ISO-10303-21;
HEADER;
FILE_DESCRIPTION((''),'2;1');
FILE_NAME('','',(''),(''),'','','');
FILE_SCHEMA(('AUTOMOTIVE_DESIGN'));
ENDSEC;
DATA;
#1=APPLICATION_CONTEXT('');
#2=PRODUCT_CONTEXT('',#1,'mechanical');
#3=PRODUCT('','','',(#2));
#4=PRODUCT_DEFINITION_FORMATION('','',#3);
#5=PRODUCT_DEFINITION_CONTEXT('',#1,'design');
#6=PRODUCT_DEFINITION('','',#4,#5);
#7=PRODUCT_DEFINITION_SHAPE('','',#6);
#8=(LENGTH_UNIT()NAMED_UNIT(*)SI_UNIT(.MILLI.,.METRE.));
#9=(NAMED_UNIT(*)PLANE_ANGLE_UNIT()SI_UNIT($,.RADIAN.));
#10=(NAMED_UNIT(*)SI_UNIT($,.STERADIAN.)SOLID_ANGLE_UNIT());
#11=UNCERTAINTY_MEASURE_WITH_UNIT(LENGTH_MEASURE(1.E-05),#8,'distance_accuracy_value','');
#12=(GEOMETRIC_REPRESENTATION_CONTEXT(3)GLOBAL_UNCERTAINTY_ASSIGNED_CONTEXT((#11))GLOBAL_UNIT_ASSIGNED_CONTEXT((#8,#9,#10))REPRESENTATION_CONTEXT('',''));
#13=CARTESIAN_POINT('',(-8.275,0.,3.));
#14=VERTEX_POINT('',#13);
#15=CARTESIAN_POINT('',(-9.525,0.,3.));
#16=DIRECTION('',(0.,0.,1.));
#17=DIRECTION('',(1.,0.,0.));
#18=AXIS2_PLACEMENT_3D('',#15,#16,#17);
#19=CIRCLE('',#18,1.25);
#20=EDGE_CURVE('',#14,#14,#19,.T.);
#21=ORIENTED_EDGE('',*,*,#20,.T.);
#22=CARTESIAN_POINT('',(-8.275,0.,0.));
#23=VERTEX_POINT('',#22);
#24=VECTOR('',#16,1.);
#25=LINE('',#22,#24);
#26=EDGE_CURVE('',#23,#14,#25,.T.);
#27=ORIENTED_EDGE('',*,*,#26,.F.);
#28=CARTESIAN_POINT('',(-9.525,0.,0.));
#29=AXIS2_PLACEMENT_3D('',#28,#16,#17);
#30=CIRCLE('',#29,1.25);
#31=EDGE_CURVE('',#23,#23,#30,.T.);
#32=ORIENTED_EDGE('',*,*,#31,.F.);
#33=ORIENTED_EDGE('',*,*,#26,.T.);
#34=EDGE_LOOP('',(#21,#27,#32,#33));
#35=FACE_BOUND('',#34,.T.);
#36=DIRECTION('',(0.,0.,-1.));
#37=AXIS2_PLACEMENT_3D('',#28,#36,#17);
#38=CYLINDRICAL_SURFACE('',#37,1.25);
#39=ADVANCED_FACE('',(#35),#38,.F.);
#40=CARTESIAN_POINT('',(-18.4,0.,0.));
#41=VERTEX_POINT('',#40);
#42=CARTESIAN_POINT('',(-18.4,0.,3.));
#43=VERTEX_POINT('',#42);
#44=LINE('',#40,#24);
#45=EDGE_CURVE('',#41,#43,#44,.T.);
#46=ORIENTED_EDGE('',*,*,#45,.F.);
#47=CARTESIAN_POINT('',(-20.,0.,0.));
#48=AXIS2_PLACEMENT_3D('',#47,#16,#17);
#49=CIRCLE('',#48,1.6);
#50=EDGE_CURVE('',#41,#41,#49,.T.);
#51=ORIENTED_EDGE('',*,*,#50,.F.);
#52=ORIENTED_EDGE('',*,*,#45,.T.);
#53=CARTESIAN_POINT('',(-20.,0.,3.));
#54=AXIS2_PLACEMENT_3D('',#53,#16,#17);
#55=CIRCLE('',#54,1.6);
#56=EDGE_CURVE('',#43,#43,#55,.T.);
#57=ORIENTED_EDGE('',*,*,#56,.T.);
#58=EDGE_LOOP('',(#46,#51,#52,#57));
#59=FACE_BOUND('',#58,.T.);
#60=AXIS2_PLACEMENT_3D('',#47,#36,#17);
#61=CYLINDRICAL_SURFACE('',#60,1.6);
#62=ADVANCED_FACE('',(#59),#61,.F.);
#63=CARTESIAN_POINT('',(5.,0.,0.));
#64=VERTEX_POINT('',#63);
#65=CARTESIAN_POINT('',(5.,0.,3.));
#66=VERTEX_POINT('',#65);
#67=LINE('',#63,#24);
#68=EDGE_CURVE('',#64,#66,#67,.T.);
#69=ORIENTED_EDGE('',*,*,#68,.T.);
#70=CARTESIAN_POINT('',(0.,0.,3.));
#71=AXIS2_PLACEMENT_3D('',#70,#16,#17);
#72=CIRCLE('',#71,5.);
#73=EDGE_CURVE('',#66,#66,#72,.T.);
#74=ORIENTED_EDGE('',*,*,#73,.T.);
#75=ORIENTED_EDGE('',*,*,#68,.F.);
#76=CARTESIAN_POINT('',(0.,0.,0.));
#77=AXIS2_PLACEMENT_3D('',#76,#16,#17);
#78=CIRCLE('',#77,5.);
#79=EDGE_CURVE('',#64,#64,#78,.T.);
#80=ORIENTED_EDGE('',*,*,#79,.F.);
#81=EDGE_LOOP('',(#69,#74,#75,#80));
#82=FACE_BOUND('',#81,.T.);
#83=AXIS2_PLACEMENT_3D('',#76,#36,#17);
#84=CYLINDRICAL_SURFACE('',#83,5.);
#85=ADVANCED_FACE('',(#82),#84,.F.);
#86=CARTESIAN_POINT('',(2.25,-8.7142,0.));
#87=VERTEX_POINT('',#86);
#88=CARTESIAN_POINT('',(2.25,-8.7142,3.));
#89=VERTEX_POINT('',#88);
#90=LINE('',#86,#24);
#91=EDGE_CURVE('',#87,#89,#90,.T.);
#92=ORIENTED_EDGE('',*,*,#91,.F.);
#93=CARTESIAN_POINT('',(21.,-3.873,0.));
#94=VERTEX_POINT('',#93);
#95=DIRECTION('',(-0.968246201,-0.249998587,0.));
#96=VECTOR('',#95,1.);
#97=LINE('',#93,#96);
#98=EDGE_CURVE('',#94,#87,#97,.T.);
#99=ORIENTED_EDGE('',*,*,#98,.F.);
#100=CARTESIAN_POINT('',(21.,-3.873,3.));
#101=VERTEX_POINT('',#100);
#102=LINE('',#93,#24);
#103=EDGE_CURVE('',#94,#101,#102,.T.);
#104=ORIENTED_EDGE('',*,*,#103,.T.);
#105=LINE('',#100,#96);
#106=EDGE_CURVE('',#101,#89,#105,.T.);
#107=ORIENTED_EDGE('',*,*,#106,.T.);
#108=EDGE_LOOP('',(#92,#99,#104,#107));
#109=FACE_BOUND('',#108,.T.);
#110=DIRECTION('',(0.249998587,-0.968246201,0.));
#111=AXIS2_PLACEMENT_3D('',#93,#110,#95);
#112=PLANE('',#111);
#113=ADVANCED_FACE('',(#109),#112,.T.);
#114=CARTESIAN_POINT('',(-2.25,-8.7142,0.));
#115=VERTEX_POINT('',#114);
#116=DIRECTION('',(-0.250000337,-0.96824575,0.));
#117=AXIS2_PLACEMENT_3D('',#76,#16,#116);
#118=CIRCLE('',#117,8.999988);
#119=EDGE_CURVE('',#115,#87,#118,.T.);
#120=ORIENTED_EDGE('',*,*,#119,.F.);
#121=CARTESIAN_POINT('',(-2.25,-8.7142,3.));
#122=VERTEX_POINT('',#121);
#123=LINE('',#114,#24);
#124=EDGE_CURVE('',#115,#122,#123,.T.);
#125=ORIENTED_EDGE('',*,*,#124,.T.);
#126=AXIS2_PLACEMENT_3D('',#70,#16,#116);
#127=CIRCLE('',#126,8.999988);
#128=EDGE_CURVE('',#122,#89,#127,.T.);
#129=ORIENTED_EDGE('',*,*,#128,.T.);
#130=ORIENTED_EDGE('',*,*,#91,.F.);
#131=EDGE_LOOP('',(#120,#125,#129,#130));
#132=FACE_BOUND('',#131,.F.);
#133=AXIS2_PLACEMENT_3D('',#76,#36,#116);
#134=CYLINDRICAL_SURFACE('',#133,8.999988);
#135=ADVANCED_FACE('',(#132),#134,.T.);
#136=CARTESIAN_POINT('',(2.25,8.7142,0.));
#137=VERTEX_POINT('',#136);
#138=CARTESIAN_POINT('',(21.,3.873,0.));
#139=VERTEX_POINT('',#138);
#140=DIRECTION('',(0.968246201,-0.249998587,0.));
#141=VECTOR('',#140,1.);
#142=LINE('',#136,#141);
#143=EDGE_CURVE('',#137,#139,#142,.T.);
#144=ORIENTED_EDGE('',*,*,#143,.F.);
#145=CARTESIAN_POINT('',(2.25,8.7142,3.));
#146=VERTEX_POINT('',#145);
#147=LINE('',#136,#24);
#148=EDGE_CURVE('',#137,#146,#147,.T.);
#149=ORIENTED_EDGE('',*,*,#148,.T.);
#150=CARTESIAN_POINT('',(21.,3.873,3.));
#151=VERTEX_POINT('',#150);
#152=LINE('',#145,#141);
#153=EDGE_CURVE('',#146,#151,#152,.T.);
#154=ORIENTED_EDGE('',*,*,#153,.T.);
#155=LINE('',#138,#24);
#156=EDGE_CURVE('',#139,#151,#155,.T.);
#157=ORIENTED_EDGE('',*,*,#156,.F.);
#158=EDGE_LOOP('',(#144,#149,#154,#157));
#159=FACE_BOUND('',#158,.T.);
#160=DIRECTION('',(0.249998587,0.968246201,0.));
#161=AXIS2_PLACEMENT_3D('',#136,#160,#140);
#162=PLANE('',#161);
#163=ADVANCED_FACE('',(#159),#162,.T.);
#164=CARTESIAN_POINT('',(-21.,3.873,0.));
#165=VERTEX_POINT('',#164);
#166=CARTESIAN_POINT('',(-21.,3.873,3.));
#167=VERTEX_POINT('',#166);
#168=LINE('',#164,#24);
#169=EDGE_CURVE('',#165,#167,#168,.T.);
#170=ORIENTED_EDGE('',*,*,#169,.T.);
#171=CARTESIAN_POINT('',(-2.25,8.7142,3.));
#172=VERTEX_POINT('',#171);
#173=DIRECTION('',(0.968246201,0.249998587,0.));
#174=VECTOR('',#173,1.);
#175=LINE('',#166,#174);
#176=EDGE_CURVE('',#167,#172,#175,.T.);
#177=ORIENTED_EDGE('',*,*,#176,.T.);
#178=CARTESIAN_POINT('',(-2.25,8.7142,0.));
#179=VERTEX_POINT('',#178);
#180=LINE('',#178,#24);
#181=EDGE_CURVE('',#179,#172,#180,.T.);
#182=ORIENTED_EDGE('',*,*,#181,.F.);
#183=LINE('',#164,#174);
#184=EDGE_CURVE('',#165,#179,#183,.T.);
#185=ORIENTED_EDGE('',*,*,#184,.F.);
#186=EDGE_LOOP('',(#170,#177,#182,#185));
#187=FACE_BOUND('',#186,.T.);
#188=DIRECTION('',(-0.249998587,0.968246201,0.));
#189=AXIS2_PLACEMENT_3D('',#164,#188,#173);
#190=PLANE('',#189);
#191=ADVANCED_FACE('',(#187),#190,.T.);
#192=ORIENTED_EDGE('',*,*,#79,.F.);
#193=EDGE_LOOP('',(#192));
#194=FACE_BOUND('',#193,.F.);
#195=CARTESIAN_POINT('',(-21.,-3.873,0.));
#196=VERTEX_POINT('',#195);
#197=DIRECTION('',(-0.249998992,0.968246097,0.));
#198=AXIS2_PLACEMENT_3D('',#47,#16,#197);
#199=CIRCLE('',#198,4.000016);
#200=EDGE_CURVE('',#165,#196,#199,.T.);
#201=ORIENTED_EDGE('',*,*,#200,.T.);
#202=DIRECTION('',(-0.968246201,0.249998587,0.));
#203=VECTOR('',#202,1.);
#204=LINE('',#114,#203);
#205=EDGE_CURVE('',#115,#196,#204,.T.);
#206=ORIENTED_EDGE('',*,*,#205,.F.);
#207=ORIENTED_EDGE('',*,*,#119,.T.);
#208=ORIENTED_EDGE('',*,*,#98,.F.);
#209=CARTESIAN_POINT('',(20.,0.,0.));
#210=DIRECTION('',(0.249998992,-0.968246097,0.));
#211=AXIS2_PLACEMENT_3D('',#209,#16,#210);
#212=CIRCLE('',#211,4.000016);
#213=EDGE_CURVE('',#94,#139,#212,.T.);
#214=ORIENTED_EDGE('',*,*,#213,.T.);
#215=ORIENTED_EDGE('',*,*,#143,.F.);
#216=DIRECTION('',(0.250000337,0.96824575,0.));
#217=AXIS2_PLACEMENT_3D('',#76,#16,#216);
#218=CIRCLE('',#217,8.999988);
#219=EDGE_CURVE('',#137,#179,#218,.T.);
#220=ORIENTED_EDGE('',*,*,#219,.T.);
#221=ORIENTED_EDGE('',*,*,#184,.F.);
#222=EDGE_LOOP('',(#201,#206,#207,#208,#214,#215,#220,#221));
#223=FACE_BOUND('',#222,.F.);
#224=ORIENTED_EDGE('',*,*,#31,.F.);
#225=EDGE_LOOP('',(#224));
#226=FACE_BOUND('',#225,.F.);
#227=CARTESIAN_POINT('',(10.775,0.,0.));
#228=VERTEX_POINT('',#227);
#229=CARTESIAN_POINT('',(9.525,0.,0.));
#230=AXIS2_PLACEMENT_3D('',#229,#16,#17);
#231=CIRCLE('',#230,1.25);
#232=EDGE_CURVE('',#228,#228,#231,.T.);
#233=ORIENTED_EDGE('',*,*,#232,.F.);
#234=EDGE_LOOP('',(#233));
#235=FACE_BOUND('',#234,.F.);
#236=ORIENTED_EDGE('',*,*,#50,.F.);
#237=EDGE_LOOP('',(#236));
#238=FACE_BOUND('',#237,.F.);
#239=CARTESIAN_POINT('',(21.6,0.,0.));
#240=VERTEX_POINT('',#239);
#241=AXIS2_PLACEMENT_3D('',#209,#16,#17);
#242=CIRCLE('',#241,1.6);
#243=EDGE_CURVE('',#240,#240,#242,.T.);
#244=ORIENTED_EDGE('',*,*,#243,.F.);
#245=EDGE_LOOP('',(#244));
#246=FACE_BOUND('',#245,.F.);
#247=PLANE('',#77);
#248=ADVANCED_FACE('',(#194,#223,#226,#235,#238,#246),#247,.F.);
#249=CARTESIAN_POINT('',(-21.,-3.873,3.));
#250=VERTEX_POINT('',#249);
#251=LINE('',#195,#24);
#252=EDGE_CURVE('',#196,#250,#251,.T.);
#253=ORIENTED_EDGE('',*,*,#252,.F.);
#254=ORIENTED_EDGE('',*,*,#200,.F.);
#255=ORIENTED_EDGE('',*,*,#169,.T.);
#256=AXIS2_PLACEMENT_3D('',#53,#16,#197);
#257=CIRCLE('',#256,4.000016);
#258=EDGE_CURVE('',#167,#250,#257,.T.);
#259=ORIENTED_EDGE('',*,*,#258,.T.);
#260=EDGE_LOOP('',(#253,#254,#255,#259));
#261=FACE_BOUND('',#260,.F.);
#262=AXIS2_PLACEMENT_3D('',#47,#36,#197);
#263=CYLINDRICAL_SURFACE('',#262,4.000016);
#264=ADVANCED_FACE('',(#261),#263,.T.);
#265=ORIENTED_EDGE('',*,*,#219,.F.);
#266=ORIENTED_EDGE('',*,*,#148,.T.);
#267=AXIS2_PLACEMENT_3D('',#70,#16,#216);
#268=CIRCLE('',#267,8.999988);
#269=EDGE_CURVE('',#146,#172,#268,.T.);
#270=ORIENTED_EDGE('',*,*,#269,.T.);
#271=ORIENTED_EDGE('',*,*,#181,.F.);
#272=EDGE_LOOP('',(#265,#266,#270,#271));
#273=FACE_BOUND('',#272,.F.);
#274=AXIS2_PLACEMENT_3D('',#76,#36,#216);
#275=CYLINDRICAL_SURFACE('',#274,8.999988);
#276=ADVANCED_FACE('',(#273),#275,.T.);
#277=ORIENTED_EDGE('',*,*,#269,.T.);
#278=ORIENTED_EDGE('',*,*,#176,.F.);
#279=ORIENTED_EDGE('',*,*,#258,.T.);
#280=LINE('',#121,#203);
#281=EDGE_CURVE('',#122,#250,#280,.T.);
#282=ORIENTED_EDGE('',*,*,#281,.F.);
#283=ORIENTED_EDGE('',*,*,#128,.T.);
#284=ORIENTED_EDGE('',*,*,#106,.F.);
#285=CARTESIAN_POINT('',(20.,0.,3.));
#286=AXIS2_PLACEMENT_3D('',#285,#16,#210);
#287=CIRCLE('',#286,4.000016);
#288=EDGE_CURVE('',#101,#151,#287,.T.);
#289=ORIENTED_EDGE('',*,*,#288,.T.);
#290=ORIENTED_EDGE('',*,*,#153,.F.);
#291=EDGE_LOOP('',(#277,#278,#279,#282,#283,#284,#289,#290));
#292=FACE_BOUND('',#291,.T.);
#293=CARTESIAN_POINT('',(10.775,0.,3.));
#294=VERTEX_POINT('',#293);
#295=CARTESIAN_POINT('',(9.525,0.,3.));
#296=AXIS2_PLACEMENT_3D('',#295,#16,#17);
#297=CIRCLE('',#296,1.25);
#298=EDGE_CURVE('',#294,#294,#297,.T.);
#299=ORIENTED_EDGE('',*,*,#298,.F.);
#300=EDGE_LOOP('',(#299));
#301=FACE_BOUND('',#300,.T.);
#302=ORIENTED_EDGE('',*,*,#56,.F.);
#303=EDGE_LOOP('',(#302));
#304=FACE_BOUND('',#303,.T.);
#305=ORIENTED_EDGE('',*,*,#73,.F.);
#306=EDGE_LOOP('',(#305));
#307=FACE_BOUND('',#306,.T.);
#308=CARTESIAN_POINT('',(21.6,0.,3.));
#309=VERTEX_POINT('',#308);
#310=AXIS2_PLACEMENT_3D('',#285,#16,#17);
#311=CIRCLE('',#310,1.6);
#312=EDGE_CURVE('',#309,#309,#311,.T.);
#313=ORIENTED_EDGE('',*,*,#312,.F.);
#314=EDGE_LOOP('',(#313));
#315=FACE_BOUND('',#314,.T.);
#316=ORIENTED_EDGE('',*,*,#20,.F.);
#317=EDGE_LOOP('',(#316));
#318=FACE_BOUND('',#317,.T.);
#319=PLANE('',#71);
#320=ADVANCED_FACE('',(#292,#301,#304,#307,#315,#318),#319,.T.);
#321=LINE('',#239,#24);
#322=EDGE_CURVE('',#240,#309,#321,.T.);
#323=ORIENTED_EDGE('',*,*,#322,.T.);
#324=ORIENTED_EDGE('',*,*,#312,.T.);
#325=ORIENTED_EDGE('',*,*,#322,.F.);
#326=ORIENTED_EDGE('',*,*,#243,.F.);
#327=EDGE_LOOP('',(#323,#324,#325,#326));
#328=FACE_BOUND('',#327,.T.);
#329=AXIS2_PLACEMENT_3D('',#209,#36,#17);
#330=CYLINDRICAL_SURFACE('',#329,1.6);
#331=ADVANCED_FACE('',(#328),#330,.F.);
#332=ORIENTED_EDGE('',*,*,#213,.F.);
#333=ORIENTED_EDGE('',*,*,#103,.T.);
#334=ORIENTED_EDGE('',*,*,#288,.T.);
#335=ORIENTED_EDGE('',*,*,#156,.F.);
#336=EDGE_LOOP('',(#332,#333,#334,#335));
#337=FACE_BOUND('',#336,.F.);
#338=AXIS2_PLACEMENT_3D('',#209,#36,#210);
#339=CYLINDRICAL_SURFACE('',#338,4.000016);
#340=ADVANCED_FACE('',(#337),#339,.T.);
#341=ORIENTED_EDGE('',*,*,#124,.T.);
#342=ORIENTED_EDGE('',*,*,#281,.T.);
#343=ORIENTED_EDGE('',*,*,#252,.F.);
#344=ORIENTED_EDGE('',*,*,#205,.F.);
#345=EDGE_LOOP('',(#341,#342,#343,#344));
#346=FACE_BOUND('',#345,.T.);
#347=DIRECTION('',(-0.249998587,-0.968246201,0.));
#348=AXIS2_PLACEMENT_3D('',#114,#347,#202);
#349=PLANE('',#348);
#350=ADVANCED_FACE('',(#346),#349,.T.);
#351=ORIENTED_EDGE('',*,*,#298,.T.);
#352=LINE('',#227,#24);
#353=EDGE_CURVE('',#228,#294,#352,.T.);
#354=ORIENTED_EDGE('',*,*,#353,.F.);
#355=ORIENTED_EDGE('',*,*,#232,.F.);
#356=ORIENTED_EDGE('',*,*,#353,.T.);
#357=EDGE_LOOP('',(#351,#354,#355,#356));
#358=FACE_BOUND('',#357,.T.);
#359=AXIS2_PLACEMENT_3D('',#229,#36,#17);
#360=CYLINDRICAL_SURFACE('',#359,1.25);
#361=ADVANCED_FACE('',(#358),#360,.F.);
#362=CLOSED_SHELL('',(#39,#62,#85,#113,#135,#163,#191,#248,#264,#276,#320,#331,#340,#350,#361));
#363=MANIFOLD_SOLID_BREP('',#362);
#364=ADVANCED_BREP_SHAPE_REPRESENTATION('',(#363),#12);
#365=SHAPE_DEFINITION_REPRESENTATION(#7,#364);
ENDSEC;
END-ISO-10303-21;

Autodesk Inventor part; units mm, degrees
ref_plane "YZ Plane" through (0, 0, 0) normal (1, 0, 0) x (0, 1, 0)
ref_plane "XZ Plane" through (0, 0, 0) normal (0, 1, 0) x (-1, 0, 0)
ref_plane "XY Plane" through (0, 0, 0) normal (0, 0, 1) x (1, 0, 0)
sketch "スケッチ1" plane through (0, 0, 0) normal (0, 0, 1) x (1, 0, 0)
  circle A0 centre (0, 0) radius 5
  circle A1 centre (-20, 0) radius 1.6
  circle A2 centre (20, 0) radius 1.6
  circle A3 centre (-9.525, 0) radius 1.25
  circle A4 centre (9.525, 0) radius 1.25
  line L0 (-20, 0) -> (20, 0) construction
  arc A5 (-21, 3.873) -> (-21, -3.873) centre (-20, 0) ccw
  arc A6 (21, -3.873) -> (21, 3.873) centre (20, 0) ccw
  arc A7 (2.25, 8.7142) -> (-2.25, 8.7142) centre (0, 0) ccw
  arc A8 (-2.25, -8.7142) -> (2.25, -8.7142) centre (0, 0) ccw
  line L1 (-21, 3.873) -> (-2.25, 8.7142)
  line L2 (2.25, 8.7142) -> (21, 3.873)
  line L3 (21, -3.873) -> (2.25, -8.7142)
  line L4 (-2.25, -8.7142) -> (-21, -3.873)
  dimension "d0" = 10
  dimension "d1" = 3.2
  dimension "d2" = 3.2
  dimension "d3" = 40
  dimension "d4" = 20
  dimension "d5" = 2.5
  dimension "d6" = 2.5
  dimension "d7" = 19.05
  dimension "d8" = 9.525
  dimension "d9" = 4
  dimension "d10" = 4
  dimension "d11" = 9
  dimension "d12" = 9
extrude "押し出し1" add sketch "スケッチ1" along normal blind 3
equation "\"d8\" = 0.5 * d7"
properties part number "エンコーダマウント" material "ポリカーボネート、スモーク"
